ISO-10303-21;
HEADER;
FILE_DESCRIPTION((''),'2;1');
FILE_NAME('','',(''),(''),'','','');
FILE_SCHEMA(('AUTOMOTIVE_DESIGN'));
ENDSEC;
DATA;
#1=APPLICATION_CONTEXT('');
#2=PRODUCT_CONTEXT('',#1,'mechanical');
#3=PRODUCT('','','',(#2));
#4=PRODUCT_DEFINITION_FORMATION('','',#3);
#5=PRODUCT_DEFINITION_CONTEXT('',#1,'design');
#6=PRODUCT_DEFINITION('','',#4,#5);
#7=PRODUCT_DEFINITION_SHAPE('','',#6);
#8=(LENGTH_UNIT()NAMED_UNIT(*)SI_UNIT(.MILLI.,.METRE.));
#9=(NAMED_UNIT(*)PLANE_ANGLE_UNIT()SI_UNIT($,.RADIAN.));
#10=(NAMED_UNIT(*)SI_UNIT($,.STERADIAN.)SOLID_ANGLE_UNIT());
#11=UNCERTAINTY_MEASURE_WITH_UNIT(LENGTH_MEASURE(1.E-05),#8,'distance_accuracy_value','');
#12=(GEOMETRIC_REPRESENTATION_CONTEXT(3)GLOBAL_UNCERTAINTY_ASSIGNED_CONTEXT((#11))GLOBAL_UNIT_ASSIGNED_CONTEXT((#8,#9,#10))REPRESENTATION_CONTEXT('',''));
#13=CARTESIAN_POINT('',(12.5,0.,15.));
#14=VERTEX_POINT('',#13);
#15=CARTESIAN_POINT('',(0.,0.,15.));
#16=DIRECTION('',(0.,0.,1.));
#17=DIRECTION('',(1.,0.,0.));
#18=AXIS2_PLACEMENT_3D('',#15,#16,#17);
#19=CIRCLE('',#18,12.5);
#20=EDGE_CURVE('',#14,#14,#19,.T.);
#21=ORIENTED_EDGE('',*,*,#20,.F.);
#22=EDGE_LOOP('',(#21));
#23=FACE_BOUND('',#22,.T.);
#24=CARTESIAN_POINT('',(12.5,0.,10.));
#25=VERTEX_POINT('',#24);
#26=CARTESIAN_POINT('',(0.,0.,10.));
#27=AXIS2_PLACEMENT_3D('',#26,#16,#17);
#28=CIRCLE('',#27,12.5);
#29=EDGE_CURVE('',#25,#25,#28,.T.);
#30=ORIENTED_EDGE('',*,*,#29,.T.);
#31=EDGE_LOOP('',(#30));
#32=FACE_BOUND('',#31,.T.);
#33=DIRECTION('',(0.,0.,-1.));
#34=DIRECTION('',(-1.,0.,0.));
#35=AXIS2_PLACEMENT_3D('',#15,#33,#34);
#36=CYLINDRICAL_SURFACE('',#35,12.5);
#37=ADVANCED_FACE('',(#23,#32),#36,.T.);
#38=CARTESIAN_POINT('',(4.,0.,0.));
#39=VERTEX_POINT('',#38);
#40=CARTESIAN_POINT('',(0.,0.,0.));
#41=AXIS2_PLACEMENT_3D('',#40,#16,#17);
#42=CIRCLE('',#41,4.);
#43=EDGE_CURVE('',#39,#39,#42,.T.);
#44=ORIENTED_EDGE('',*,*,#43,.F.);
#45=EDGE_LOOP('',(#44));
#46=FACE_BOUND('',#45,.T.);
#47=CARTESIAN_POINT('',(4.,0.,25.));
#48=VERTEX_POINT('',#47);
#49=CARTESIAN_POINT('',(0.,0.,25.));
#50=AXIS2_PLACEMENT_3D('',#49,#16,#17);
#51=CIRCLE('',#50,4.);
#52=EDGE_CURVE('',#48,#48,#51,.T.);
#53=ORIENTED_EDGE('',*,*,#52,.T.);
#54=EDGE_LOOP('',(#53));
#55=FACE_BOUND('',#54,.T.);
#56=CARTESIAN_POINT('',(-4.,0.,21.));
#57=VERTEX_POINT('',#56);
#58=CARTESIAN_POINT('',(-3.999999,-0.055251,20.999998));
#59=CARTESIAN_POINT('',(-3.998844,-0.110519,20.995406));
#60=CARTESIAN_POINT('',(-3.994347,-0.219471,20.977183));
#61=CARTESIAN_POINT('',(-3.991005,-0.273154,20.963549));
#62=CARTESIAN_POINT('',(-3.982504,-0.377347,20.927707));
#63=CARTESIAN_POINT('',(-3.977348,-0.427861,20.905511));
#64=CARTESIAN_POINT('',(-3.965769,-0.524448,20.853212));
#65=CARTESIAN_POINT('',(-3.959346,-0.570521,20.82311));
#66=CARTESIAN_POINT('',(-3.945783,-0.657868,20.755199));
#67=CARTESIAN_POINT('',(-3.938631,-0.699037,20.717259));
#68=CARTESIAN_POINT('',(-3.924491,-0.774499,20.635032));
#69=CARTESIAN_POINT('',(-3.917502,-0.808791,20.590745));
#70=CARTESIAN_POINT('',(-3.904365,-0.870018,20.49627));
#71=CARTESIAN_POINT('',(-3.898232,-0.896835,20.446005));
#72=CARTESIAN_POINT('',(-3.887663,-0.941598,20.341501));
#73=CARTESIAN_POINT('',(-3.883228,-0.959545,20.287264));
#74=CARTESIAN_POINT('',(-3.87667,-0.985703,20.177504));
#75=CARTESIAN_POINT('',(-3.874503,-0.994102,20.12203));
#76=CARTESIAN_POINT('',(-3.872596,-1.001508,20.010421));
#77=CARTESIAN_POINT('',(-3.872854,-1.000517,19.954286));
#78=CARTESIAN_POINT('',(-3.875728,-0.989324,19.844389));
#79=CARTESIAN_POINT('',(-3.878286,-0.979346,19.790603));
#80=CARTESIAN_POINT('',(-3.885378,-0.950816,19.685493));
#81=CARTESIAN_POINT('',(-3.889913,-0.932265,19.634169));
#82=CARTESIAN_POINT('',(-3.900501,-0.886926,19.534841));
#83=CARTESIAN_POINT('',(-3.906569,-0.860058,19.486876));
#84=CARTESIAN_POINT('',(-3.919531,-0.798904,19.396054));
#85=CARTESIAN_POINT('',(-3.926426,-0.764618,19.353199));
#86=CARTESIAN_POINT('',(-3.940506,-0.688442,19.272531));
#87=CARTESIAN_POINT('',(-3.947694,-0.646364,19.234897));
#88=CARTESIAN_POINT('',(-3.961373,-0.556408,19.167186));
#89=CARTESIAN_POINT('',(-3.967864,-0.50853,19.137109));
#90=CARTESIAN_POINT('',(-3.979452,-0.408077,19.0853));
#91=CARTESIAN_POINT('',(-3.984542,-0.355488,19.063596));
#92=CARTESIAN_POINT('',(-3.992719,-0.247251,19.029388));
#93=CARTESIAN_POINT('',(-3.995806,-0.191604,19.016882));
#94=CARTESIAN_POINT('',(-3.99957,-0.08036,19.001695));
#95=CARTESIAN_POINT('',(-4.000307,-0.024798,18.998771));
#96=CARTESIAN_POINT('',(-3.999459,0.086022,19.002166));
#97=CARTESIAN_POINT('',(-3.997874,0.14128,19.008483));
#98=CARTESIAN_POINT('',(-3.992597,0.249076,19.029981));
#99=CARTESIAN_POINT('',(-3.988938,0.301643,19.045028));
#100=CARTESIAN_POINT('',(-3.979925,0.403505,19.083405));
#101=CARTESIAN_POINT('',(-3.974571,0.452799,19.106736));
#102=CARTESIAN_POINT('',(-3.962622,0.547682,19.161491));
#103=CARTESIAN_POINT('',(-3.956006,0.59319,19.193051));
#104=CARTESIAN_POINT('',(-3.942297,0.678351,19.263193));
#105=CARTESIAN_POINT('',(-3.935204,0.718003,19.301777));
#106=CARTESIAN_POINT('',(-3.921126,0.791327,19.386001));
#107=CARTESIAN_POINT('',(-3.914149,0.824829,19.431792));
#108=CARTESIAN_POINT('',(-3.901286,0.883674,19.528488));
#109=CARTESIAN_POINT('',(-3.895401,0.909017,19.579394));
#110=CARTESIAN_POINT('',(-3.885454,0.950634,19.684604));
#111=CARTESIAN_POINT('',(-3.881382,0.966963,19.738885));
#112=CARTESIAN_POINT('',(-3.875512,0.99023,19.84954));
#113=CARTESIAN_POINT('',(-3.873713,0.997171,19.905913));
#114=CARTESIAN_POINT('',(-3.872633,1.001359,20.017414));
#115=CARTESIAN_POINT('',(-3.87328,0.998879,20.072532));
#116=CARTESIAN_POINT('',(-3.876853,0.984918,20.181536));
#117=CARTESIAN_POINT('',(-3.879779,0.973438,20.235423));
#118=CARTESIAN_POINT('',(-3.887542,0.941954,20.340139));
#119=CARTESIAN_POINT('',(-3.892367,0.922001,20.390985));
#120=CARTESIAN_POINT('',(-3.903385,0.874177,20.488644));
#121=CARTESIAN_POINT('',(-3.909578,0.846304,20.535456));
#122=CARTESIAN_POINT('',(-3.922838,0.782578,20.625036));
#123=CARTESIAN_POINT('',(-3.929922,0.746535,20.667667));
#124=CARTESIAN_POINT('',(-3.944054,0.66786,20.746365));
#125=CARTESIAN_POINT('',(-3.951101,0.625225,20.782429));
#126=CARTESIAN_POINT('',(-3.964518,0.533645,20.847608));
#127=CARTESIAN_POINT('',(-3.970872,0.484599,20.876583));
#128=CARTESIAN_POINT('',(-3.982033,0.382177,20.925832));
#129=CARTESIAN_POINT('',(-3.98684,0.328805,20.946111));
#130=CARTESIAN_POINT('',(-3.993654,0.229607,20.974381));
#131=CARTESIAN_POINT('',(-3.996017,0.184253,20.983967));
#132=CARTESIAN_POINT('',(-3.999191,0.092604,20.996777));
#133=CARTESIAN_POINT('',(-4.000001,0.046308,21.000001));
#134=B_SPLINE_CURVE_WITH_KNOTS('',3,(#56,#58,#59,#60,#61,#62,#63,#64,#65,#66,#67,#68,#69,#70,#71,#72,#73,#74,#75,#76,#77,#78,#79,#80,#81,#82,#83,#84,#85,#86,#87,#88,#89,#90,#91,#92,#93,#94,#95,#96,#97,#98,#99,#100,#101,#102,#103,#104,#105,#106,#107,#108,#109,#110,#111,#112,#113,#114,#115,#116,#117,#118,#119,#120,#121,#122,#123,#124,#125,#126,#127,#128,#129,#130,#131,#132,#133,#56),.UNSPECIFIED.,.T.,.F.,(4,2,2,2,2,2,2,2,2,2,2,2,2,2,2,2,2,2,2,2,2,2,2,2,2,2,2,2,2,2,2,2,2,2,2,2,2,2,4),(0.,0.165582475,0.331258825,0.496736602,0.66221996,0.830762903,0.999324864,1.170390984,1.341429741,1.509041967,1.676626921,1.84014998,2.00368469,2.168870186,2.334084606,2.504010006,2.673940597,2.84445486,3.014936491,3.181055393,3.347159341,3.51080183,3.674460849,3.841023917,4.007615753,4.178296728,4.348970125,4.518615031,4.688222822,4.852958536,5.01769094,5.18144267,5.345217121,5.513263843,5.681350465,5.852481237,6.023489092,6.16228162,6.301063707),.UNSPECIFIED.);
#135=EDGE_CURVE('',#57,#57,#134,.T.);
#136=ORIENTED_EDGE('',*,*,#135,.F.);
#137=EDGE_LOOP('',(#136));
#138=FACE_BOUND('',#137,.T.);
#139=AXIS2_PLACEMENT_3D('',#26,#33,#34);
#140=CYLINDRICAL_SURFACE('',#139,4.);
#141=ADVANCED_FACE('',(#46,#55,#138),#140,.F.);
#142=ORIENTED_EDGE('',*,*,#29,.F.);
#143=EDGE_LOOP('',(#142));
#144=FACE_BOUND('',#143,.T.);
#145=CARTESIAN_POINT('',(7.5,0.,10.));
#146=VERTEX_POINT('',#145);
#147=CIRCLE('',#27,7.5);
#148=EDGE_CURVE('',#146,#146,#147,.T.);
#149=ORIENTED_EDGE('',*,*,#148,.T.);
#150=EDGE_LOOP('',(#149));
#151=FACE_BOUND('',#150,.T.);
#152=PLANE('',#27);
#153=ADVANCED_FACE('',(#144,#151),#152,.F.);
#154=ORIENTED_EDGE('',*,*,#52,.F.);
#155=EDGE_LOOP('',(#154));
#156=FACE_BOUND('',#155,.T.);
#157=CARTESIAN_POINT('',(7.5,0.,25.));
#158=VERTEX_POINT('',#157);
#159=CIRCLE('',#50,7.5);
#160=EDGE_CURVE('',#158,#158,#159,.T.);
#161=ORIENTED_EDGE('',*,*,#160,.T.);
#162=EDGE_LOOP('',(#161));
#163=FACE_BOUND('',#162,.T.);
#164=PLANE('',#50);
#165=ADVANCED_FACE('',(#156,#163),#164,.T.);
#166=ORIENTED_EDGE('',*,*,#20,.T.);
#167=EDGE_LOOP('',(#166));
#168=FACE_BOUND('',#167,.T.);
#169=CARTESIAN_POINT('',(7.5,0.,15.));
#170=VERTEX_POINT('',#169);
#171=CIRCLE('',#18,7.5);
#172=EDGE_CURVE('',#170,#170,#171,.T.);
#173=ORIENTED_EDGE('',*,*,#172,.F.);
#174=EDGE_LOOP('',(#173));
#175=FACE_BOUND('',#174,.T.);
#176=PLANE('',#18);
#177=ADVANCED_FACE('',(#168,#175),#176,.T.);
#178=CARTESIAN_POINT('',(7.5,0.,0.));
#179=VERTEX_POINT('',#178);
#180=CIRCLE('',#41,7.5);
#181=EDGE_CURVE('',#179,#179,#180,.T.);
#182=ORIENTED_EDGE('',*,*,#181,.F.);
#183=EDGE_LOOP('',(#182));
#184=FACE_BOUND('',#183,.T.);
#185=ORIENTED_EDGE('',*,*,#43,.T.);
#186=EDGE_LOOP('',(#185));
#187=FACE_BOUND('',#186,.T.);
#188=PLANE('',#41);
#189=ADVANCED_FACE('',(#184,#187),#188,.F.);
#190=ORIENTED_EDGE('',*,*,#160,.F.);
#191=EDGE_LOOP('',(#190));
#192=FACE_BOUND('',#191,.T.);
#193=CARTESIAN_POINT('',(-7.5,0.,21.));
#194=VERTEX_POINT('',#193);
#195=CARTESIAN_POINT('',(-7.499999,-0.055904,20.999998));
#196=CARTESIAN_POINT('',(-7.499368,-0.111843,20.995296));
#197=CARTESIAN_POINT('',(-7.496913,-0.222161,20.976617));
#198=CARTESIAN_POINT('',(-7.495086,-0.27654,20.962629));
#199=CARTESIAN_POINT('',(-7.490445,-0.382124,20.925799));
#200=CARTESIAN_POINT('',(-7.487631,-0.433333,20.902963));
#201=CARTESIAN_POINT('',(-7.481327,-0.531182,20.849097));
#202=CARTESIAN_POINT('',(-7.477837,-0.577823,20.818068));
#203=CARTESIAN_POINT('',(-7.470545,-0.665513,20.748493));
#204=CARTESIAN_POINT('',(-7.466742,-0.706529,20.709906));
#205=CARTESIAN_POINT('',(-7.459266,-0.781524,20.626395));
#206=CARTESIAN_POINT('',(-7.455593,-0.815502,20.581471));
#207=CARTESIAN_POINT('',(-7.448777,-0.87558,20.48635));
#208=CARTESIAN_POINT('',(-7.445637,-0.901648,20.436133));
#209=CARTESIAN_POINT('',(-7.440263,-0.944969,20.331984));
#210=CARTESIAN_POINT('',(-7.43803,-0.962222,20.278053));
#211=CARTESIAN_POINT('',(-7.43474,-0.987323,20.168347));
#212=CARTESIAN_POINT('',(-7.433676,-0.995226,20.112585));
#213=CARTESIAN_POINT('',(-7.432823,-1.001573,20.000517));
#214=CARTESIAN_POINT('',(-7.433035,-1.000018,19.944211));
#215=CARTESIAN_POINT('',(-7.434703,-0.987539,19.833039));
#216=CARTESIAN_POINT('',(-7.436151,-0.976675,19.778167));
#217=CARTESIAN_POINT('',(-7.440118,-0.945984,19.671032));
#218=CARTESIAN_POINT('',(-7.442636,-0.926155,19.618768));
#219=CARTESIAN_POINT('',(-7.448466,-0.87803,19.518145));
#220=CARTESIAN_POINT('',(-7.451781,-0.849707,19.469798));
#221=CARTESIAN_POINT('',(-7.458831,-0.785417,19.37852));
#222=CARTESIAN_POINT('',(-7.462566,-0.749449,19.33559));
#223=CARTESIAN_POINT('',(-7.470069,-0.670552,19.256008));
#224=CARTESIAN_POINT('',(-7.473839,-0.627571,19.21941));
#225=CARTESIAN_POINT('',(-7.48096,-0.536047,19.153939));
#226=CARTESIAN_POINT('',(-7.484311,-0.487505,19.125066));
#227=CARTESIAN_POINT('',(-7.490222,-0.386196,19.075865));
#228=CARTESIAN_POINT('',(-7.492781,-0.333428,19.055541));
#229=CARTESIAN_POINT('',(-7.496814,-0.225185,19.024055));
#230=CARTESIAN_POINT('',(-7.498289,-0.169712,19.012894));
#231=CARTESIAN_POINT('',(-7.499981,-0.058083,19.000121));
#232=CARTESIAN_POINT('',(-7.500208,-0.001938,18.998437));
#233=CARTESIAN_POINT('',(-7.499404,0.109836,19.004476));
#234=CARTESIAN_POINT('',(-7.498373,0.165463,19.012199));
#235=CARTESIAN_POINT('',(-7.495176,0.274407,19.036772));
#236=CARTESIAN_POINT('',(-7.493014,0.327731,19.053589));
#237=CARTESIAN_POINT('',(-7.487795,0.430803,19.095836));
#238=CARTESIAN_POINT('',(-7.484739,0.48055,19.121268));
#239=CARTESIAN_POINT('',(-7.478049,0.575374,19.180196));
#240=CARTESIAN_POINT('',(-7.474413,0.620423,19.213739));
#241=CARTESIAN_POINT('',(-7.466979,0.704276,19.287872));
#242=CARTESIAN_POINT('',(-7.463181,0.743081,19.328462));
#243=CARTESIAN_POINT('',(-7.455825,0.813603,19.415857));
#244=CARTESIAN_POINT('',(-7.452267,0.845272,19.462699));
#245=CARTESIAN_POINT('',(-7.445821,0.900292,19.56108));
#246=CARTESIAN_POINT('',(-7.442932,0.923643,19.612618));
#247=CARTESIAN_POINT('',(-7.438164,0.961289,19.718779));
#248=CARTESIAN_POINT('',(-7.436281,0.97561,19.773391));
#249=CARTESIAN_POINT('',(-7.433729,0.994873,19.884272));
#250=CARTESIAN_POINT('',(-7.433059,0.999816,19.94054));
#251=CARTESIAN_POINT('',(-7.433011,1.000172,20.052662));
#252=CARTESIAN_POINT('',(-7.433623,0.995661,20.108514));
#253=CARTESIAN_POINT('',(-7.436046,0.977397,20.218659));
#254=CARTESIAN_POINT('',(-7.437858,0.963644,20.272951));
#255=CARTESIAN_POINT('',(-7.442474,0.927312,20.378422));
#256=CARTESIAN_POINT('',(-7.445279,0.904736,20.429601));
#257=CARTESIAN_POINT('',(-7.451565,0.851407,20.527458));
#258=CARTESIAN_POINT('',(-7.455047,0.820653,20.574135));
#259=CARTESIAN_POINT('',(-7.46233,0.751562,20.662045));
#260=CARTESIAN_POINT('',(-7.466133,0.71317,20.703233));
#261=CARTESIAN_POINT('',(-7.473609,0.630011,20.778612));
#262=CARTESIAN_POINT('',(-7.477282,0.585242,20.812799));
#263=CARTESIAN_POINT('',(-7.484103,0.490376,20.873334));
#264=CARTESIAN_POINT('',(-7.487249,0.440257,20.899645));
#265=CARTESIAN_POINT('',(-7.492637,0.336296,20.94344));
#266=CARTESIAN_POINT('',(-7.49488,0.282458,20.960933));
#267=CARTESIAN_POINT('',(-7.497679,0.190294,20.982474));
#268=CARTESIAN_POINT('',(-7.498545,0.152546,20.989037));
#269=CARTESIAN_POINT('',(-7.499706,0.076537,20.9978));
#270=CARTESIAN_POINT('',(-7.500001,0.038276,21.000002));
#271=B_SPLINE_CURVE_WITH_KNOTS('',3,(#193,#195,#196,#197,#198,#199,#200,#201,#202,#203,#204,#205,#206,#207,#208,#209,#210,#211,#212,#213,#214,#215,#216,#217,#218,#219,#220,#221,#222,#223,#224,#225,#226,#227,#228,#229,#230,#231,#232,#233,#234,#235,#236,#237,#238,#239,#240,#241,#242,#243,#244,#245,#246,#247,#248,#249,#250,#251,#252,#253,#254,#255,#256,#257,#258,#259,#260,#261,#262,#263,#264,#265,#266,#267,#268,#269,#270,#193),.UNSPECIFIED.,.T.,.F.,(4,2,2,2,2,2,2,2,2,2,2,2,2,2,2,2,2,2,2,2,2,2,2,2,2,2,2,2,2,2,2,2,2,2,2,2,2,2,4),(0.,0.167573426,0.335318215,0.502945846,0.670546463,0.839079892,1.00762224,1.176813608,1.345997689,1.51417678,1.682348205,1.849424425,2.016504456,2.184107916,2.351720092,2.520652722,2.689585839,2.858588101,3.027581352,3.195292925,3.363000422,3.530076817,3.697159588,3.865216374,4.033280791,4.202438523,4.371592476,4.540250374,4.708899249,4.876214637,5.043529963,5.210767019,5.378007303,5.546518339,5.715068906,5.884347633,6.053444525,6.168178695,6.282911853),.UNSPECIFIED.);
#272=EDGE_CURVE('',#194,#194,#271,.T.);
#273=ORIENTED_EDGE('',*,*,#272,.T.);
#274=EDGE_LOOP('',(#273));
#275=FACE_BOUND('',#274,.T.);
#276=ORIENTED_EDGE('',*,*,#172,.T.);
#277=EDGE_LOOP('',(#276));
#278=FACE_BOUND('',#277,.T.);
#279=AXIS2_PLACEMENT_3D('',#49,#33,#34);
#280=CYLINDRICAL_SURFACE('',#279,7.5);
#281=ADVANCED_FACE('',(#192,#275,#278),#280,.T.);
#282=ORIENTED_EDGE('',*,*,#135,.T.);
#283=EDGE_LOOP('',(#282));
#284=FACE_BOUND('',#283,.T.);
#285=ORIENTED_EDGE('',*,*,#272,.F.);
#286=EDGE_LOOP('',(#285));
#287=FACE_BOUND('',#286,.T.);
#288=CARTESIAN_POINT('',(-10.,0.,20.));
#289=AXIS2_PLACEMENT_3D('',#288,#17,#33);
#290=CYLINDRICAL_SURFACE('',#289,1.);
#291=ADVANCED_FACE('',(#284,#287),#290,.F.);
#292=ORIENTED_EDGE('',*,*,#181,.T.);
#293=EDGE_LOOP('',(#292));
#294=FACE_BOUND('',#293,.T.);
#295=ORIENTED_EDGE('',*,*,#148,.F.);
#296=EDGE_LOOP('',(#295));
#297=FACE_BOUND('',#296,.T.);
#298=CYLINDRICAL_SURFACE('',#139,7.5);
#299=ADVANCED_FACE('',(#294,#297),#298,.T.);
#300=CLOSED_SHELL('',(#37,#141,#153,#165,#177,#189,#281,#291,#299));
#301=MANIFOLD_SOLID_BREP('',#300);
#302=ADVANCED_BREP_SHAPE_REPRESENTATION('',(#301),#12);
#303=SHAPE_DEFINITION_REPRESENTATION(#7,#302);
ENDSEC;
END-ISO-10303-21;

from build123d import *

# Parameters (mm, degrees)
SKETCH1_R           = 7.5
SKETCH1_R_2         = 4
BOSS_EXTRUDE1_DEPTH = 10
SKETCH3_R           = 12.5
SKETCH3_R_2         = 4
BOSS_EXTRUDE2_DEPTH = 5
SKETCH4_R           = 7.5
SKETCH4_R_2         = 4
BOSS_EXTRUDE3_DEPTH = 10
SKETCH5_R           = 1
CUT_EXTRUDE1_DEPTH  = 10


with BuildPart() as part:
    # Sketch1 → Boss-Extrude1 (new body)
    with BuildSketch(Plane.XY):
        Circle(SKETCH1_R)
        Circle(SKETCH1_R_2, mode=Mode.SUBTRACT)
    extrude(amount=BOSS_EXTRUDE1_DEPTH)

    # Sketch3 → Boss-Extrude2 (add)
    with BuildSketch(Plane.XY.offset(10)):
        Circle(SKETCH3_R)
        Circle(SKETCH3_R_2, mode=Mode.SUBTRACT)
    extrude(amount=BOSS_EXTRUDE2_DEPTH)

    # Sketch4 → Boss-Extrude3 (add)
    with BuildSketch(Plane.XY.offset(15)):
        Circle(SKETCH4_R)
        Circle(SKETCH4_R_2, mode=Mode.SUBTRACT)
    extrude(amount=BOSS_EXTRUDE3_DEPTH)

    # Sketch5 → Cut-Extrude1 (cut)
    with BuildSketch(Plane(origin=(0, 0, 0), x_dir=(0, 0, -1), z_dir=(1, 0, 0))):
        with Locations(Location((-20, 0, 0), (0, 0, 180))):
            Circle(SKETCH5_R)
    extrude(amount=-CUT_EXTRUDE1_DEPTH, mode=Mode.SUBTRACT)


solid = part.part
